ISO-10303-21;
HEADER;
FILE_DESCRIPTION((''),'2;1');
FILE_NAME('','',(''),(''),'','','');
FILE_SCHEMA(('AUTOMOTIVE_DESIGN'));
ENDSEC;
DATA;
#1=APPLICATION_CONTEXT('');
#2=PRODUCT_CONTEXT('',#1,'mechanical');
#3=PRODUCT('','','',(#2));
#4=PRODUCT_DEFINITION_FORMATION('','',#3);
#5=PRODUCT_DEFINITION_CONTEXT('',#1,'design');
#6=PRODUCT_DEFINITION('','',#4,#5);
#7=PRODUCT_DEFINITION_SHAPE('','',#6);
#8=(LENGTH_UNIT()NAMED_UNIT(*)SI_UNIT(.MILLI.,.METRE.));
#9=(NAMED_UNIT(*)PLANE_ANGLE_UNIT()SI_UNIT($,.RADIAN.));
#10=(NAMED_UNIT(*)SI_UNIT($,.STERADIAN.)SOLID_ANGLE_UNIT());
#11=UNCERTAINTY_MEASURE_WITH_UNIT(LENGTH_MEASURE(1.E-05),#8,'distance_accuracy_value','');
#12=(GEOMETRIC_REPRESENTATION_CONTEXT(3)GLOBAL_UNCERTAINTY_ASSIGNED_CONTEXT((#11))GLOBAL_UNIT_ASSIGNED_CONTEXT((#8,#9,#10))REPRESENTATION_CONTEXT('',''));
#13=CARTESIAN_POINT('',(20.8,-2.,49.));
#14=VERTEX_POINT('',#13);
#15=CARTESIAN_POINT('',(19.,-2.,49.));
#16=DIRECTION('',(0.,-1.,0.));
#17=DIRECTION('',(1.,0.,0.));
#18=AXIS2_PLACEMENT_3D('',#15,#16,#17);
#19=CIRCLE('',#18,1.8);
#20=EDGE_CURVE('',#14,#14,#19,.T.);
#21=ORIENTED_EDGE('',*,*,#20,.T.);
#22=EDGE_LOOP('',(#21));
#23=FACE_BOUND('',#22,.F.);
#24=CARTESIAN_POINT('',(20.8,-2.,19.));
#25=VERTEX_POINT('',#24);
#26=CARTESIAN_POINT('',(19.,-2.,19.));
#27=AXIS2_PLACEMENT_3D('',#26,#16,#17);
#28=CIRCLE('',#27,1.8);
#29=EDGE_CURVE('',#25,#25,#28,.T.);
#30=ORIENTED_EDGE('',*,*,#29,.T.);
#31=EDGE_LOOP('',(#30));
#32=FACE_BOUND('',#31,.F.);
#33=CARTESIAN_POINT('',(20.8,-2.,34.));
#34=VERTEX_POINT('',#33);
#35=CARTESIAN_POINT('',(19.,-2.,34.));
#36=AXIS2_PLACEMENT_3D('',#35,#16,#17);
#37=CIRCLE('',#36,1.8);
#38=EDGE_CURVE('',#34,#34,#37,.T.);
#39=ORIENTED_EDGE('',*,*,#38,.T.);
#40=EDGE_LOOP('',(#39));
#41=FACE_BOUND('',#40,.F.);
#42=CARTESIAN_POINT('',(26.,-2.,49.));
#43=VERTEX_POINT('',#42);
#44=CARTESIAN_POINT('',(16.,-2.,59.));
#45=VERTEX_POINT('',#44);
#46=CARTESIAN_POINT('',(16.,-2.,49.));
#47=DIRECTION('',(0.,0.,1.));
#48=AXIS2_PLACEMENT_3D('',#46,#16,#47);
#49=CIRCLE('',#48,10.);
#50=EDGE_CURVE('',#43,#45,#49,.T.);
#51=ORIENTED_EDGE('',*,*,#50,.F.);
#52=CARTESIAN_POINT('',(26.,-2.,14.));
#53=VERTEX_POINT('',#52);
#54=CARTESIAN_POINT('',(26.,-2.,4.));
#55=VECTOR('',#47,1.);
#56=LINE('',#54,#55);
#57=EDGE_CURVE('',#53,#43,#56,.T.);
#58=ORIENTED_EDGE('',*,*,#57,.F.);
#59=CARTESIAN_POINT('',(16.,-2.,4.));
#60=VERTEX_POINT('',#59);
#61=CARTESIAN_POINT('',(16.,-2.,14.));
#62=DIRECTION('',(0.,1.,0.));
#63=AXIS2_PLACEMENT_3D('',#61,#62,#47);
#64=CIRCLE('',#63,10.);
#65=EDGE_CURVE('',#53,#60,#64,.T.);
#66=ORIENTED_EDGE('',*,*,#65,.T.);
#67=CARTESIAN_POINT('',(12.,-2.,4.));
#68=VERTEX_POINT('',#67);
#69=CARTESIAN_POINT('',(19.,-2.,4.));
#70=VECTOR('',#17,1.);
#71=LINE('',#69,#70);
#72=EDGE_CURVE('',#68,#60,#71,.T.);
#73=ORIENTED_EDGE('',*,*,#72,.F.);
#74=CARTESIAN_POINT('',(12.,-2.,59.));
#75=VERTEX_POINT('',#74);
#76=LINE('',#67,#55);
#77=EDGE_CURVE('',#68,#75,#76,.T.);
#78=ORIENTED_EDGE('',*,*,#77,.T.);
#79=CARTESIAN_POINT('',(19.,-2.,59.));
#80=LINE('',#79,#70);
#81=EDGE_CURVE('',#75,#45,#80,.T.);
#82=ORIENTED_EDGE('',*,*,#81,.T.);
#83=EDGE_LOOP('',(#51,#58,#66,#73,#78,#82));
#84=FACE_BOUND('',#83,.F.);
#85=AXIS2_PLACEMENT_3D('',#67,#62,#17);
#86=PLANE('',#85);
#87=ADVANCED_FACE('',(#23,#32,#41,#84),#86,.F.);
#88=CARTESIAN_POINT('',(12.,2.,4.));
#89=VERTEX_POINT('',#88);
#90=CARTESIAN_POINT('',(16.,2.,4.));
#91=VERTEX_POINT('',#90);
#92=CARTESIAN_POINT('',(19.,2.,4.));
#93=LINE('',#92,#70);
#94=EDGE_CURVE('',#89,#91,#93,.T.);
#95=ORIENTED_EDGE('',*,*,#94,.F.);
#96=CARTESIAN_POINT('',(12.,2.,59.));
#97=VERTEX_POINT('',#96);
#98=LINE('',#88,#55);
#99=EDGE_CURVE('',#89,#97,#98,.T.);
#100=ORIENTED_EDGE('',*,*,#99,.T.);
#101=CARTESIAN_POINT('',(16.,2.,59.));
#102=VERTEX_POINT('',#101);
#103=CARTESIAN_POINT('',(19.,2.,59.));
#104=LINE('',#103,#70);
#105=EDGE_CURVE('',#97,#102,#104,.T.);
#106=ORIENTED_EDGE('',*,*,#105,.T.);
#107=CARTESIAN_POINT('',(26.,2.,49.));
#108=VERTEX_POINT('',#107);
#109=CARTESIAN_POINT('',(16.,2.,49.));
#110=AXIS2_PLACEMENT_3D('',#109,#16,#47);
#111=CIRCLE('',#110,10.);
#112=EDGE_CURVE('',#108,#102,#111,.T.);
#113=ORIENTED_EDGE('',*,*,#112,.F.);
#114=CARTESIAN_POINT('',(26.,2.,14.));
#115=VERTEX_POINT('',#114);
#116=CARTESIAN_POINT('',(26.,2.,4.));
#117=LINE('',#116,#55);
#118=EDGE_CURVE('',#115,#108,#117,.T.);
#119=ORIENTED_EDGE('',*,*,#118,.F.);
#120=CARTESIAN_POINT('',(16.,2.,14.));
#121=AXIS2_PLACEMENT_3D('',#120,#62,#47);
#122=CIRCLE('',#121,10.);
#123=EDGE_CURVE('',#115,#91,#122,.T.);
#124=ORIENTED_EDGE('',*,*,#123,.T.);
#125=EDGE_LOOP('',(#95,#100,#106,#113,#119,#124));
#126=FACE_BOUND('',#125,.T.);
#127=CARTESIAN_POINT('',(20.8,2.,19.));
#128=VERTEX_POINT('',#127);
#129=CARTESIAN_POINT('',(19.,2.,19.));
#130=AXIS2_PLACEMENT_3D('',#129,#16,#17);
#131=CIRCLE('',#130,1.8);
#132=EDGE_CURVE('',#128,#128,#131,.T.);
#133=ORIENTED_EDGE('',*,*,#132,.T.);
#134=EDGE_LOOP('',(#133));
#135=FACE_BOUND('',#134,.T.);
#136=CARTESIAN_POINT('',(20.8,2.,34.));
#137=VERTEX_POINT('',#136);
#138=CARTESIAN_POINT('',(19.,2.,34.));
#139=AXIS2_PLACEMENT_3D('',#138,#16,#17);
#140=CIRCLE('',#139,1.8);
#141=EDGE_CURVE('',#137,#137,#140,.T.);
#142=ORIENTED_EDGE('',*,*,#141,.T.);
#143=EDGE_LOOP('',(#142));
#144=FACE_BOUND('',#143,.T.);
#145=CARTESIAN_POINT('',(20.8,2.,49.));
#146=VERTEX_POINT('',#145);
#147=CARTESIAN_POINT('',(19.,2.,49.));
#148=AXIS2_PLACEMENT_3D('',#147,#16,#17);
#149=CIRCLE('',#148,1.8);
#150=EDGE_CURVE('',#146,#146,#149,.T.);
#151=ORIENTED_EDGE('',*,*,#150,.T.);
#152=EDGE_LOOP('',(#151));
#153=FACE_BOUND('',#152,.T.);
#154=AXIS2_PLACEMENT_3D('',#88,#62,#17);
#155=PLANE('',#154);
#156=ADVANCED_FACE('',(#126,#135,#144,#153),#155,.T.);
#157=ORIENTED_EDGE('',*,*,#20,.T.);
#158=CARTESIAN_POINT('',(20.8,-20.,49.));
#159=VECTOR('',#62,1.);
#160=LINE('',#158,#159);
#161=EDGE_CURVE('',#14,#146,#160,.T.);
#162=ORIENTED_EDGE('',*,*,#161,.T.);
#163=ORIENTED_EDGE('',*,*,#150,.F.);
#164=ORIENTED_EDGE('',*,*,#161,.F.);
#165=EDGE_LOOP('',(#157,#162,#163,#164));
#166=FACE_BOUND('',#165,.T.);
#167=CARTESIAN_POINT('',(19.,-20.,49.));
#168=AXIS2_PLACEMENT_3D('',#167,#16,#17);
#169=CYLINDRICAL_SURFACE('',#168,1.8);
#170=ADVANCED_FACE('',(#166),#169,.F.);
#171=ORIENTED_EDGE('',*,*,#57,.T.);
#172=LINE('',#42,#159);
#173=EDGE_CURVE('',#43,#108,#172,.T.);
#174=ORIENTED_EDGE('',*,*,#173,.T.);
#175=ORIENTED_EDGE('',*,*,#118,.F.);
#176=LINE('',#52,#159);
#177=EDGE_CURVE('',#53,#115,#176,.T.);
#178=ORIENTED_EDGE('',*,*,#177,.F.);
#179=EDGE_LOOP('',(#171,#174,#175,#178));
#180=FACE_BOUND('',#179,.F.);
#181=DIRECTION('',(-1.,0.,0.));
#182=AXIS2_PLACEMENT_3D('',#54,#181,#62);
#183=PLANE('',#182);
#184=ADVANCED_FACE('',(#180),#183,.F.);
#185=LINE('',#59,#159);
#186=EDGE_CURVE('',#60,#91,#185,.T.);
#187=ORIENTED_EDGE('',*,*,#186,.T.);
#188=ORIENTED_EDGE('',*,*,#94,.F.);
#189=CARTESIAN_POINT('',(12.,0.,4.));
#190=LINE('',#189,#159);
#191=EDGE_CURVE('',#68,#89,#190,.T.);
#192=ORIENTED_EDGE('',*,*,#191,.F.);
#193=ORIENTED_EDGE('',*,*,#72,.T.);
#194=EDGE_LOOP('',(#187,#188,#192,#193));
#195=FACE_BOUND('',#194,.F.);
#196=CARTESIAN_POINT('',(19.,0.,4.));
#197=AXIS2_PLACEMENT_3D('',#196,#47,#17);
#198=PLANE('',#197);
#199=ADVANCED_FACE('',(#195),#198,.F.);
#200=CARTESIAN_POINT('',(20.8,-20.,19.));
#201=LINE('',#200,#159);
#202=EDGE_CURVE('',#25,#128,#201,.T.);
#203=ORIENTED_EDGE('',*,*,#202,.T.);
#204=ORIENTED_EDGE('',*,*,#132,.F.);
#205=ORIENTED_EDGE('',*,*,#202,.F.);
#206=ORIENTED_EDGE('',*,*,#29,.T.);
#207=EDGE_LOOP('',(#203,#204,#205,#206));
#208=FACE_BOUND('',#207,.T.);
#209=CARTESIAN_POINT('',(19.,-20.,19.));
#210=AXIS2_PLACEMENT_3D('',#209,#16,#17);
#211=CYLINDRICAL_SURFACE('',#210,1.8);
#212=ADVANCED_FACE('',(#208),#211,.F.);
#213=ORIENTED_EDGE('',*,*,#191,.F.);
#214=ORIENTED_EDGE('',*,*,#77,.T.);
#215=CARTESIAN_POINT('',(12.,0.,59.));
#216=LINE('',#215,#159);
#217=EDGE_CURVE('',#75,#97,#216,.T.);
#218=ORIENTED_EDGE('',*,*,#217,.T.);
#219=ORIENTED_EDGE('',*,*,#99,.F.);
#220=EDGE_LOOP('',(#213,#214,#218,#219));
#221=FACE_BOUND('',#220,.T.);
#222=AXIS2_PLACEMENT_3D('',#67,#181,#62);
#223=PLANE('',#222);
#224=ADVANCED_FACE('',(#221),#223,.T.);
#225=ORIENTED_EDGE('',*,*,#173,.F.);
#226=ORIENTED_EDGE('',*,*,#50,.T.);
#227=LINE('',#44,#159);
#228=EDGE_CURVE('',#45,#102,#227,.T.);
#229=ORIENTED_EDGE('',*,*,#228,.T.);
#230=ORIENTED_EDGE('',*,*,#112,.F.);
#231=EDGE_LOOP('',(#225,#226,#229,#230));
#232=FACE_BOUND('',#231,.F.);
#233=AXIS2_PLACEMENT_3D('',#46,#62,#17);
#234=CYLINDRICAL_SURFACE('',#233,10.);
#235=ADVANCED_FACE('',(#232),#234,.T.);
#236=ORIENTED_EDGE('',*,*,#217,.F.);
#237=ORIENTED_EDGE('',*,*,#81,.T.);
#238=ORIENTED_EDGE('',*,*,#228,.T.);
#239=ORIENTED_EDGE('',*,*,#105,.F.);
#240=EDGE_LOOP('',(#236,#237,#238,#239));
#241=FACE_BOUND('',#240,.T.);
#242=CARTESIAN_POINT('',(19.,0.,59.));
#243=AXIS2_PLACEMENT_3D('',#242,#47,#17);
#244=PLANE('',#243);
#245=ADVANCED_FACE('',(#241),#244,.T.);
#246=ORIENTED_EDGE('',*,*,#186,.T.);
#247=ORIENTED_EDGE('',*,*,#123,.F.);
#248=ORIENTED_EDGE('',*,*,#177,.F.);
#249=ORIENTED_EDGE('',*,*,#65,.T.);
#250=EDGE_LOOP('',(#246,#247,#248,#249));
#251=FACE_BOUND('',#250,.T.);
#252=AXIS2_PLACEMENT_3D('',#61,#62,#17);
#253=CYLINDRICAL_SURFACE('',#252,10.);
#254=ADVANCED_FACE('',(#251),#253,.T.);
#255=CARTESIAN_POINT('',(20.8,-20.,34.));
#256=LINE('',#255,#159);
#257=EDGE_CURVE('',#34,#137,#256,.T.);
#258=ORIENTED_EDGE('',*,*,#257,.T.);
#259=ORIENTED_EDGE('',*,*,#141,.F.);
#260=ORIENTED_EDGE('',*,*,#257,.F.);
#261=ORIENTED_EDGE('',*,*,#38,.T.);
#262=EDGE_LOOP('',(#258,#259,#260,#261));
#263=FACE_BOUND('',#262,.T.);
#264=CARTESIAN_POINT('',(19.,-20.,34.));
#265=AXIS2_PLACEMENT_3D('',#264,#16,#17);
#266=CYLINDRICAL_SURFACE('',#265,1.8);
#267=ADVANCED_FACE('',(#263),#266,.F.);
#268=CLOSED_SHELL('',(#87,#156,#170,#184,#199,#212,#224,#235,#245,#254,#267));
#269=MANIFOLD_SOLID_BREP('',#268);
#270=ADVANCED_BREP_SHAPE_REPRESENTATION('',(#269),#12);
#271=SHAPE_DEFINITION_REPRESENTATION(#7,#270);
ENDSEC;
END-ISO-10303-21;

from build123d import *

# Parameters (mm, degrees)
CYLINDER023_R     = 1.8
CYLINDER023_DEPTH = 40
ARRAY002_Z_COUNT  = 3
ARRAY002_Z_PITCH  = 15
BOX_W             = 14
BOX_H             = 4
BOX_DEPTH         = 55
FILLET003_R       = 10


with BuildPart() as attachment_hole_array:
    # Cylinder023 → Cylinder023 (new body)
    with BuildSketch(Plane(origin=(19, -20, 0), x_dir=(1, 0, 0), z_dir=(0, 1, 0))):
        Circle(CYLINDER023_R)
    extrude(amount=CYLINDER023_DEPTH)

    # Array002 Z: attachment hole array ×3


with BuildPart() as attachment_hole_array_1:
    add(attachment_hole_array.part)
    with Locations(*[(0, 0, i * ARRAY002_Z_PITCH) for i in range(1, ARRAY002_Z_COUNT)]):
        add(attachment_hole_array.part)


with BuildPart() as attachment_hole_array_2:
    # Array002 placement: moved
    add(attachment_hole_array_1.part.moved(Location((0, 0, 15))))


with BuildPart() as attachment_cut:
    # Box → Box (new body)
    with BuildSketch(Plane(origin=(12, -2, 0), x_dir=(1, 0, 0), z_dir=(0, 0, 1))):
        with Locations((7, 2)):
            Rectangle(BOX_W, BOX_H)
    extrude(amount=BOX_DEPTH)

    # Fillet003
    fillet003_edges = [attachment_cut.edges().sort_by_distance(p)[0] for p in [
        (26, 0, 55),
        (26, 0, 0),
    ]]
    fillet(fillet003_edges, radius=FILLET003_R)

    # Cut004: cut attachment hole array
    add(attachment_hole_array_2.part, mode=Mode.SUBTRACT)


with BuildPart() as attachment_cut_1:
    # Cut004 placement: moved
    add(attachment_cut.part.moved(Location((0, 0, 4))))


solid = attachment_cut_1.part
